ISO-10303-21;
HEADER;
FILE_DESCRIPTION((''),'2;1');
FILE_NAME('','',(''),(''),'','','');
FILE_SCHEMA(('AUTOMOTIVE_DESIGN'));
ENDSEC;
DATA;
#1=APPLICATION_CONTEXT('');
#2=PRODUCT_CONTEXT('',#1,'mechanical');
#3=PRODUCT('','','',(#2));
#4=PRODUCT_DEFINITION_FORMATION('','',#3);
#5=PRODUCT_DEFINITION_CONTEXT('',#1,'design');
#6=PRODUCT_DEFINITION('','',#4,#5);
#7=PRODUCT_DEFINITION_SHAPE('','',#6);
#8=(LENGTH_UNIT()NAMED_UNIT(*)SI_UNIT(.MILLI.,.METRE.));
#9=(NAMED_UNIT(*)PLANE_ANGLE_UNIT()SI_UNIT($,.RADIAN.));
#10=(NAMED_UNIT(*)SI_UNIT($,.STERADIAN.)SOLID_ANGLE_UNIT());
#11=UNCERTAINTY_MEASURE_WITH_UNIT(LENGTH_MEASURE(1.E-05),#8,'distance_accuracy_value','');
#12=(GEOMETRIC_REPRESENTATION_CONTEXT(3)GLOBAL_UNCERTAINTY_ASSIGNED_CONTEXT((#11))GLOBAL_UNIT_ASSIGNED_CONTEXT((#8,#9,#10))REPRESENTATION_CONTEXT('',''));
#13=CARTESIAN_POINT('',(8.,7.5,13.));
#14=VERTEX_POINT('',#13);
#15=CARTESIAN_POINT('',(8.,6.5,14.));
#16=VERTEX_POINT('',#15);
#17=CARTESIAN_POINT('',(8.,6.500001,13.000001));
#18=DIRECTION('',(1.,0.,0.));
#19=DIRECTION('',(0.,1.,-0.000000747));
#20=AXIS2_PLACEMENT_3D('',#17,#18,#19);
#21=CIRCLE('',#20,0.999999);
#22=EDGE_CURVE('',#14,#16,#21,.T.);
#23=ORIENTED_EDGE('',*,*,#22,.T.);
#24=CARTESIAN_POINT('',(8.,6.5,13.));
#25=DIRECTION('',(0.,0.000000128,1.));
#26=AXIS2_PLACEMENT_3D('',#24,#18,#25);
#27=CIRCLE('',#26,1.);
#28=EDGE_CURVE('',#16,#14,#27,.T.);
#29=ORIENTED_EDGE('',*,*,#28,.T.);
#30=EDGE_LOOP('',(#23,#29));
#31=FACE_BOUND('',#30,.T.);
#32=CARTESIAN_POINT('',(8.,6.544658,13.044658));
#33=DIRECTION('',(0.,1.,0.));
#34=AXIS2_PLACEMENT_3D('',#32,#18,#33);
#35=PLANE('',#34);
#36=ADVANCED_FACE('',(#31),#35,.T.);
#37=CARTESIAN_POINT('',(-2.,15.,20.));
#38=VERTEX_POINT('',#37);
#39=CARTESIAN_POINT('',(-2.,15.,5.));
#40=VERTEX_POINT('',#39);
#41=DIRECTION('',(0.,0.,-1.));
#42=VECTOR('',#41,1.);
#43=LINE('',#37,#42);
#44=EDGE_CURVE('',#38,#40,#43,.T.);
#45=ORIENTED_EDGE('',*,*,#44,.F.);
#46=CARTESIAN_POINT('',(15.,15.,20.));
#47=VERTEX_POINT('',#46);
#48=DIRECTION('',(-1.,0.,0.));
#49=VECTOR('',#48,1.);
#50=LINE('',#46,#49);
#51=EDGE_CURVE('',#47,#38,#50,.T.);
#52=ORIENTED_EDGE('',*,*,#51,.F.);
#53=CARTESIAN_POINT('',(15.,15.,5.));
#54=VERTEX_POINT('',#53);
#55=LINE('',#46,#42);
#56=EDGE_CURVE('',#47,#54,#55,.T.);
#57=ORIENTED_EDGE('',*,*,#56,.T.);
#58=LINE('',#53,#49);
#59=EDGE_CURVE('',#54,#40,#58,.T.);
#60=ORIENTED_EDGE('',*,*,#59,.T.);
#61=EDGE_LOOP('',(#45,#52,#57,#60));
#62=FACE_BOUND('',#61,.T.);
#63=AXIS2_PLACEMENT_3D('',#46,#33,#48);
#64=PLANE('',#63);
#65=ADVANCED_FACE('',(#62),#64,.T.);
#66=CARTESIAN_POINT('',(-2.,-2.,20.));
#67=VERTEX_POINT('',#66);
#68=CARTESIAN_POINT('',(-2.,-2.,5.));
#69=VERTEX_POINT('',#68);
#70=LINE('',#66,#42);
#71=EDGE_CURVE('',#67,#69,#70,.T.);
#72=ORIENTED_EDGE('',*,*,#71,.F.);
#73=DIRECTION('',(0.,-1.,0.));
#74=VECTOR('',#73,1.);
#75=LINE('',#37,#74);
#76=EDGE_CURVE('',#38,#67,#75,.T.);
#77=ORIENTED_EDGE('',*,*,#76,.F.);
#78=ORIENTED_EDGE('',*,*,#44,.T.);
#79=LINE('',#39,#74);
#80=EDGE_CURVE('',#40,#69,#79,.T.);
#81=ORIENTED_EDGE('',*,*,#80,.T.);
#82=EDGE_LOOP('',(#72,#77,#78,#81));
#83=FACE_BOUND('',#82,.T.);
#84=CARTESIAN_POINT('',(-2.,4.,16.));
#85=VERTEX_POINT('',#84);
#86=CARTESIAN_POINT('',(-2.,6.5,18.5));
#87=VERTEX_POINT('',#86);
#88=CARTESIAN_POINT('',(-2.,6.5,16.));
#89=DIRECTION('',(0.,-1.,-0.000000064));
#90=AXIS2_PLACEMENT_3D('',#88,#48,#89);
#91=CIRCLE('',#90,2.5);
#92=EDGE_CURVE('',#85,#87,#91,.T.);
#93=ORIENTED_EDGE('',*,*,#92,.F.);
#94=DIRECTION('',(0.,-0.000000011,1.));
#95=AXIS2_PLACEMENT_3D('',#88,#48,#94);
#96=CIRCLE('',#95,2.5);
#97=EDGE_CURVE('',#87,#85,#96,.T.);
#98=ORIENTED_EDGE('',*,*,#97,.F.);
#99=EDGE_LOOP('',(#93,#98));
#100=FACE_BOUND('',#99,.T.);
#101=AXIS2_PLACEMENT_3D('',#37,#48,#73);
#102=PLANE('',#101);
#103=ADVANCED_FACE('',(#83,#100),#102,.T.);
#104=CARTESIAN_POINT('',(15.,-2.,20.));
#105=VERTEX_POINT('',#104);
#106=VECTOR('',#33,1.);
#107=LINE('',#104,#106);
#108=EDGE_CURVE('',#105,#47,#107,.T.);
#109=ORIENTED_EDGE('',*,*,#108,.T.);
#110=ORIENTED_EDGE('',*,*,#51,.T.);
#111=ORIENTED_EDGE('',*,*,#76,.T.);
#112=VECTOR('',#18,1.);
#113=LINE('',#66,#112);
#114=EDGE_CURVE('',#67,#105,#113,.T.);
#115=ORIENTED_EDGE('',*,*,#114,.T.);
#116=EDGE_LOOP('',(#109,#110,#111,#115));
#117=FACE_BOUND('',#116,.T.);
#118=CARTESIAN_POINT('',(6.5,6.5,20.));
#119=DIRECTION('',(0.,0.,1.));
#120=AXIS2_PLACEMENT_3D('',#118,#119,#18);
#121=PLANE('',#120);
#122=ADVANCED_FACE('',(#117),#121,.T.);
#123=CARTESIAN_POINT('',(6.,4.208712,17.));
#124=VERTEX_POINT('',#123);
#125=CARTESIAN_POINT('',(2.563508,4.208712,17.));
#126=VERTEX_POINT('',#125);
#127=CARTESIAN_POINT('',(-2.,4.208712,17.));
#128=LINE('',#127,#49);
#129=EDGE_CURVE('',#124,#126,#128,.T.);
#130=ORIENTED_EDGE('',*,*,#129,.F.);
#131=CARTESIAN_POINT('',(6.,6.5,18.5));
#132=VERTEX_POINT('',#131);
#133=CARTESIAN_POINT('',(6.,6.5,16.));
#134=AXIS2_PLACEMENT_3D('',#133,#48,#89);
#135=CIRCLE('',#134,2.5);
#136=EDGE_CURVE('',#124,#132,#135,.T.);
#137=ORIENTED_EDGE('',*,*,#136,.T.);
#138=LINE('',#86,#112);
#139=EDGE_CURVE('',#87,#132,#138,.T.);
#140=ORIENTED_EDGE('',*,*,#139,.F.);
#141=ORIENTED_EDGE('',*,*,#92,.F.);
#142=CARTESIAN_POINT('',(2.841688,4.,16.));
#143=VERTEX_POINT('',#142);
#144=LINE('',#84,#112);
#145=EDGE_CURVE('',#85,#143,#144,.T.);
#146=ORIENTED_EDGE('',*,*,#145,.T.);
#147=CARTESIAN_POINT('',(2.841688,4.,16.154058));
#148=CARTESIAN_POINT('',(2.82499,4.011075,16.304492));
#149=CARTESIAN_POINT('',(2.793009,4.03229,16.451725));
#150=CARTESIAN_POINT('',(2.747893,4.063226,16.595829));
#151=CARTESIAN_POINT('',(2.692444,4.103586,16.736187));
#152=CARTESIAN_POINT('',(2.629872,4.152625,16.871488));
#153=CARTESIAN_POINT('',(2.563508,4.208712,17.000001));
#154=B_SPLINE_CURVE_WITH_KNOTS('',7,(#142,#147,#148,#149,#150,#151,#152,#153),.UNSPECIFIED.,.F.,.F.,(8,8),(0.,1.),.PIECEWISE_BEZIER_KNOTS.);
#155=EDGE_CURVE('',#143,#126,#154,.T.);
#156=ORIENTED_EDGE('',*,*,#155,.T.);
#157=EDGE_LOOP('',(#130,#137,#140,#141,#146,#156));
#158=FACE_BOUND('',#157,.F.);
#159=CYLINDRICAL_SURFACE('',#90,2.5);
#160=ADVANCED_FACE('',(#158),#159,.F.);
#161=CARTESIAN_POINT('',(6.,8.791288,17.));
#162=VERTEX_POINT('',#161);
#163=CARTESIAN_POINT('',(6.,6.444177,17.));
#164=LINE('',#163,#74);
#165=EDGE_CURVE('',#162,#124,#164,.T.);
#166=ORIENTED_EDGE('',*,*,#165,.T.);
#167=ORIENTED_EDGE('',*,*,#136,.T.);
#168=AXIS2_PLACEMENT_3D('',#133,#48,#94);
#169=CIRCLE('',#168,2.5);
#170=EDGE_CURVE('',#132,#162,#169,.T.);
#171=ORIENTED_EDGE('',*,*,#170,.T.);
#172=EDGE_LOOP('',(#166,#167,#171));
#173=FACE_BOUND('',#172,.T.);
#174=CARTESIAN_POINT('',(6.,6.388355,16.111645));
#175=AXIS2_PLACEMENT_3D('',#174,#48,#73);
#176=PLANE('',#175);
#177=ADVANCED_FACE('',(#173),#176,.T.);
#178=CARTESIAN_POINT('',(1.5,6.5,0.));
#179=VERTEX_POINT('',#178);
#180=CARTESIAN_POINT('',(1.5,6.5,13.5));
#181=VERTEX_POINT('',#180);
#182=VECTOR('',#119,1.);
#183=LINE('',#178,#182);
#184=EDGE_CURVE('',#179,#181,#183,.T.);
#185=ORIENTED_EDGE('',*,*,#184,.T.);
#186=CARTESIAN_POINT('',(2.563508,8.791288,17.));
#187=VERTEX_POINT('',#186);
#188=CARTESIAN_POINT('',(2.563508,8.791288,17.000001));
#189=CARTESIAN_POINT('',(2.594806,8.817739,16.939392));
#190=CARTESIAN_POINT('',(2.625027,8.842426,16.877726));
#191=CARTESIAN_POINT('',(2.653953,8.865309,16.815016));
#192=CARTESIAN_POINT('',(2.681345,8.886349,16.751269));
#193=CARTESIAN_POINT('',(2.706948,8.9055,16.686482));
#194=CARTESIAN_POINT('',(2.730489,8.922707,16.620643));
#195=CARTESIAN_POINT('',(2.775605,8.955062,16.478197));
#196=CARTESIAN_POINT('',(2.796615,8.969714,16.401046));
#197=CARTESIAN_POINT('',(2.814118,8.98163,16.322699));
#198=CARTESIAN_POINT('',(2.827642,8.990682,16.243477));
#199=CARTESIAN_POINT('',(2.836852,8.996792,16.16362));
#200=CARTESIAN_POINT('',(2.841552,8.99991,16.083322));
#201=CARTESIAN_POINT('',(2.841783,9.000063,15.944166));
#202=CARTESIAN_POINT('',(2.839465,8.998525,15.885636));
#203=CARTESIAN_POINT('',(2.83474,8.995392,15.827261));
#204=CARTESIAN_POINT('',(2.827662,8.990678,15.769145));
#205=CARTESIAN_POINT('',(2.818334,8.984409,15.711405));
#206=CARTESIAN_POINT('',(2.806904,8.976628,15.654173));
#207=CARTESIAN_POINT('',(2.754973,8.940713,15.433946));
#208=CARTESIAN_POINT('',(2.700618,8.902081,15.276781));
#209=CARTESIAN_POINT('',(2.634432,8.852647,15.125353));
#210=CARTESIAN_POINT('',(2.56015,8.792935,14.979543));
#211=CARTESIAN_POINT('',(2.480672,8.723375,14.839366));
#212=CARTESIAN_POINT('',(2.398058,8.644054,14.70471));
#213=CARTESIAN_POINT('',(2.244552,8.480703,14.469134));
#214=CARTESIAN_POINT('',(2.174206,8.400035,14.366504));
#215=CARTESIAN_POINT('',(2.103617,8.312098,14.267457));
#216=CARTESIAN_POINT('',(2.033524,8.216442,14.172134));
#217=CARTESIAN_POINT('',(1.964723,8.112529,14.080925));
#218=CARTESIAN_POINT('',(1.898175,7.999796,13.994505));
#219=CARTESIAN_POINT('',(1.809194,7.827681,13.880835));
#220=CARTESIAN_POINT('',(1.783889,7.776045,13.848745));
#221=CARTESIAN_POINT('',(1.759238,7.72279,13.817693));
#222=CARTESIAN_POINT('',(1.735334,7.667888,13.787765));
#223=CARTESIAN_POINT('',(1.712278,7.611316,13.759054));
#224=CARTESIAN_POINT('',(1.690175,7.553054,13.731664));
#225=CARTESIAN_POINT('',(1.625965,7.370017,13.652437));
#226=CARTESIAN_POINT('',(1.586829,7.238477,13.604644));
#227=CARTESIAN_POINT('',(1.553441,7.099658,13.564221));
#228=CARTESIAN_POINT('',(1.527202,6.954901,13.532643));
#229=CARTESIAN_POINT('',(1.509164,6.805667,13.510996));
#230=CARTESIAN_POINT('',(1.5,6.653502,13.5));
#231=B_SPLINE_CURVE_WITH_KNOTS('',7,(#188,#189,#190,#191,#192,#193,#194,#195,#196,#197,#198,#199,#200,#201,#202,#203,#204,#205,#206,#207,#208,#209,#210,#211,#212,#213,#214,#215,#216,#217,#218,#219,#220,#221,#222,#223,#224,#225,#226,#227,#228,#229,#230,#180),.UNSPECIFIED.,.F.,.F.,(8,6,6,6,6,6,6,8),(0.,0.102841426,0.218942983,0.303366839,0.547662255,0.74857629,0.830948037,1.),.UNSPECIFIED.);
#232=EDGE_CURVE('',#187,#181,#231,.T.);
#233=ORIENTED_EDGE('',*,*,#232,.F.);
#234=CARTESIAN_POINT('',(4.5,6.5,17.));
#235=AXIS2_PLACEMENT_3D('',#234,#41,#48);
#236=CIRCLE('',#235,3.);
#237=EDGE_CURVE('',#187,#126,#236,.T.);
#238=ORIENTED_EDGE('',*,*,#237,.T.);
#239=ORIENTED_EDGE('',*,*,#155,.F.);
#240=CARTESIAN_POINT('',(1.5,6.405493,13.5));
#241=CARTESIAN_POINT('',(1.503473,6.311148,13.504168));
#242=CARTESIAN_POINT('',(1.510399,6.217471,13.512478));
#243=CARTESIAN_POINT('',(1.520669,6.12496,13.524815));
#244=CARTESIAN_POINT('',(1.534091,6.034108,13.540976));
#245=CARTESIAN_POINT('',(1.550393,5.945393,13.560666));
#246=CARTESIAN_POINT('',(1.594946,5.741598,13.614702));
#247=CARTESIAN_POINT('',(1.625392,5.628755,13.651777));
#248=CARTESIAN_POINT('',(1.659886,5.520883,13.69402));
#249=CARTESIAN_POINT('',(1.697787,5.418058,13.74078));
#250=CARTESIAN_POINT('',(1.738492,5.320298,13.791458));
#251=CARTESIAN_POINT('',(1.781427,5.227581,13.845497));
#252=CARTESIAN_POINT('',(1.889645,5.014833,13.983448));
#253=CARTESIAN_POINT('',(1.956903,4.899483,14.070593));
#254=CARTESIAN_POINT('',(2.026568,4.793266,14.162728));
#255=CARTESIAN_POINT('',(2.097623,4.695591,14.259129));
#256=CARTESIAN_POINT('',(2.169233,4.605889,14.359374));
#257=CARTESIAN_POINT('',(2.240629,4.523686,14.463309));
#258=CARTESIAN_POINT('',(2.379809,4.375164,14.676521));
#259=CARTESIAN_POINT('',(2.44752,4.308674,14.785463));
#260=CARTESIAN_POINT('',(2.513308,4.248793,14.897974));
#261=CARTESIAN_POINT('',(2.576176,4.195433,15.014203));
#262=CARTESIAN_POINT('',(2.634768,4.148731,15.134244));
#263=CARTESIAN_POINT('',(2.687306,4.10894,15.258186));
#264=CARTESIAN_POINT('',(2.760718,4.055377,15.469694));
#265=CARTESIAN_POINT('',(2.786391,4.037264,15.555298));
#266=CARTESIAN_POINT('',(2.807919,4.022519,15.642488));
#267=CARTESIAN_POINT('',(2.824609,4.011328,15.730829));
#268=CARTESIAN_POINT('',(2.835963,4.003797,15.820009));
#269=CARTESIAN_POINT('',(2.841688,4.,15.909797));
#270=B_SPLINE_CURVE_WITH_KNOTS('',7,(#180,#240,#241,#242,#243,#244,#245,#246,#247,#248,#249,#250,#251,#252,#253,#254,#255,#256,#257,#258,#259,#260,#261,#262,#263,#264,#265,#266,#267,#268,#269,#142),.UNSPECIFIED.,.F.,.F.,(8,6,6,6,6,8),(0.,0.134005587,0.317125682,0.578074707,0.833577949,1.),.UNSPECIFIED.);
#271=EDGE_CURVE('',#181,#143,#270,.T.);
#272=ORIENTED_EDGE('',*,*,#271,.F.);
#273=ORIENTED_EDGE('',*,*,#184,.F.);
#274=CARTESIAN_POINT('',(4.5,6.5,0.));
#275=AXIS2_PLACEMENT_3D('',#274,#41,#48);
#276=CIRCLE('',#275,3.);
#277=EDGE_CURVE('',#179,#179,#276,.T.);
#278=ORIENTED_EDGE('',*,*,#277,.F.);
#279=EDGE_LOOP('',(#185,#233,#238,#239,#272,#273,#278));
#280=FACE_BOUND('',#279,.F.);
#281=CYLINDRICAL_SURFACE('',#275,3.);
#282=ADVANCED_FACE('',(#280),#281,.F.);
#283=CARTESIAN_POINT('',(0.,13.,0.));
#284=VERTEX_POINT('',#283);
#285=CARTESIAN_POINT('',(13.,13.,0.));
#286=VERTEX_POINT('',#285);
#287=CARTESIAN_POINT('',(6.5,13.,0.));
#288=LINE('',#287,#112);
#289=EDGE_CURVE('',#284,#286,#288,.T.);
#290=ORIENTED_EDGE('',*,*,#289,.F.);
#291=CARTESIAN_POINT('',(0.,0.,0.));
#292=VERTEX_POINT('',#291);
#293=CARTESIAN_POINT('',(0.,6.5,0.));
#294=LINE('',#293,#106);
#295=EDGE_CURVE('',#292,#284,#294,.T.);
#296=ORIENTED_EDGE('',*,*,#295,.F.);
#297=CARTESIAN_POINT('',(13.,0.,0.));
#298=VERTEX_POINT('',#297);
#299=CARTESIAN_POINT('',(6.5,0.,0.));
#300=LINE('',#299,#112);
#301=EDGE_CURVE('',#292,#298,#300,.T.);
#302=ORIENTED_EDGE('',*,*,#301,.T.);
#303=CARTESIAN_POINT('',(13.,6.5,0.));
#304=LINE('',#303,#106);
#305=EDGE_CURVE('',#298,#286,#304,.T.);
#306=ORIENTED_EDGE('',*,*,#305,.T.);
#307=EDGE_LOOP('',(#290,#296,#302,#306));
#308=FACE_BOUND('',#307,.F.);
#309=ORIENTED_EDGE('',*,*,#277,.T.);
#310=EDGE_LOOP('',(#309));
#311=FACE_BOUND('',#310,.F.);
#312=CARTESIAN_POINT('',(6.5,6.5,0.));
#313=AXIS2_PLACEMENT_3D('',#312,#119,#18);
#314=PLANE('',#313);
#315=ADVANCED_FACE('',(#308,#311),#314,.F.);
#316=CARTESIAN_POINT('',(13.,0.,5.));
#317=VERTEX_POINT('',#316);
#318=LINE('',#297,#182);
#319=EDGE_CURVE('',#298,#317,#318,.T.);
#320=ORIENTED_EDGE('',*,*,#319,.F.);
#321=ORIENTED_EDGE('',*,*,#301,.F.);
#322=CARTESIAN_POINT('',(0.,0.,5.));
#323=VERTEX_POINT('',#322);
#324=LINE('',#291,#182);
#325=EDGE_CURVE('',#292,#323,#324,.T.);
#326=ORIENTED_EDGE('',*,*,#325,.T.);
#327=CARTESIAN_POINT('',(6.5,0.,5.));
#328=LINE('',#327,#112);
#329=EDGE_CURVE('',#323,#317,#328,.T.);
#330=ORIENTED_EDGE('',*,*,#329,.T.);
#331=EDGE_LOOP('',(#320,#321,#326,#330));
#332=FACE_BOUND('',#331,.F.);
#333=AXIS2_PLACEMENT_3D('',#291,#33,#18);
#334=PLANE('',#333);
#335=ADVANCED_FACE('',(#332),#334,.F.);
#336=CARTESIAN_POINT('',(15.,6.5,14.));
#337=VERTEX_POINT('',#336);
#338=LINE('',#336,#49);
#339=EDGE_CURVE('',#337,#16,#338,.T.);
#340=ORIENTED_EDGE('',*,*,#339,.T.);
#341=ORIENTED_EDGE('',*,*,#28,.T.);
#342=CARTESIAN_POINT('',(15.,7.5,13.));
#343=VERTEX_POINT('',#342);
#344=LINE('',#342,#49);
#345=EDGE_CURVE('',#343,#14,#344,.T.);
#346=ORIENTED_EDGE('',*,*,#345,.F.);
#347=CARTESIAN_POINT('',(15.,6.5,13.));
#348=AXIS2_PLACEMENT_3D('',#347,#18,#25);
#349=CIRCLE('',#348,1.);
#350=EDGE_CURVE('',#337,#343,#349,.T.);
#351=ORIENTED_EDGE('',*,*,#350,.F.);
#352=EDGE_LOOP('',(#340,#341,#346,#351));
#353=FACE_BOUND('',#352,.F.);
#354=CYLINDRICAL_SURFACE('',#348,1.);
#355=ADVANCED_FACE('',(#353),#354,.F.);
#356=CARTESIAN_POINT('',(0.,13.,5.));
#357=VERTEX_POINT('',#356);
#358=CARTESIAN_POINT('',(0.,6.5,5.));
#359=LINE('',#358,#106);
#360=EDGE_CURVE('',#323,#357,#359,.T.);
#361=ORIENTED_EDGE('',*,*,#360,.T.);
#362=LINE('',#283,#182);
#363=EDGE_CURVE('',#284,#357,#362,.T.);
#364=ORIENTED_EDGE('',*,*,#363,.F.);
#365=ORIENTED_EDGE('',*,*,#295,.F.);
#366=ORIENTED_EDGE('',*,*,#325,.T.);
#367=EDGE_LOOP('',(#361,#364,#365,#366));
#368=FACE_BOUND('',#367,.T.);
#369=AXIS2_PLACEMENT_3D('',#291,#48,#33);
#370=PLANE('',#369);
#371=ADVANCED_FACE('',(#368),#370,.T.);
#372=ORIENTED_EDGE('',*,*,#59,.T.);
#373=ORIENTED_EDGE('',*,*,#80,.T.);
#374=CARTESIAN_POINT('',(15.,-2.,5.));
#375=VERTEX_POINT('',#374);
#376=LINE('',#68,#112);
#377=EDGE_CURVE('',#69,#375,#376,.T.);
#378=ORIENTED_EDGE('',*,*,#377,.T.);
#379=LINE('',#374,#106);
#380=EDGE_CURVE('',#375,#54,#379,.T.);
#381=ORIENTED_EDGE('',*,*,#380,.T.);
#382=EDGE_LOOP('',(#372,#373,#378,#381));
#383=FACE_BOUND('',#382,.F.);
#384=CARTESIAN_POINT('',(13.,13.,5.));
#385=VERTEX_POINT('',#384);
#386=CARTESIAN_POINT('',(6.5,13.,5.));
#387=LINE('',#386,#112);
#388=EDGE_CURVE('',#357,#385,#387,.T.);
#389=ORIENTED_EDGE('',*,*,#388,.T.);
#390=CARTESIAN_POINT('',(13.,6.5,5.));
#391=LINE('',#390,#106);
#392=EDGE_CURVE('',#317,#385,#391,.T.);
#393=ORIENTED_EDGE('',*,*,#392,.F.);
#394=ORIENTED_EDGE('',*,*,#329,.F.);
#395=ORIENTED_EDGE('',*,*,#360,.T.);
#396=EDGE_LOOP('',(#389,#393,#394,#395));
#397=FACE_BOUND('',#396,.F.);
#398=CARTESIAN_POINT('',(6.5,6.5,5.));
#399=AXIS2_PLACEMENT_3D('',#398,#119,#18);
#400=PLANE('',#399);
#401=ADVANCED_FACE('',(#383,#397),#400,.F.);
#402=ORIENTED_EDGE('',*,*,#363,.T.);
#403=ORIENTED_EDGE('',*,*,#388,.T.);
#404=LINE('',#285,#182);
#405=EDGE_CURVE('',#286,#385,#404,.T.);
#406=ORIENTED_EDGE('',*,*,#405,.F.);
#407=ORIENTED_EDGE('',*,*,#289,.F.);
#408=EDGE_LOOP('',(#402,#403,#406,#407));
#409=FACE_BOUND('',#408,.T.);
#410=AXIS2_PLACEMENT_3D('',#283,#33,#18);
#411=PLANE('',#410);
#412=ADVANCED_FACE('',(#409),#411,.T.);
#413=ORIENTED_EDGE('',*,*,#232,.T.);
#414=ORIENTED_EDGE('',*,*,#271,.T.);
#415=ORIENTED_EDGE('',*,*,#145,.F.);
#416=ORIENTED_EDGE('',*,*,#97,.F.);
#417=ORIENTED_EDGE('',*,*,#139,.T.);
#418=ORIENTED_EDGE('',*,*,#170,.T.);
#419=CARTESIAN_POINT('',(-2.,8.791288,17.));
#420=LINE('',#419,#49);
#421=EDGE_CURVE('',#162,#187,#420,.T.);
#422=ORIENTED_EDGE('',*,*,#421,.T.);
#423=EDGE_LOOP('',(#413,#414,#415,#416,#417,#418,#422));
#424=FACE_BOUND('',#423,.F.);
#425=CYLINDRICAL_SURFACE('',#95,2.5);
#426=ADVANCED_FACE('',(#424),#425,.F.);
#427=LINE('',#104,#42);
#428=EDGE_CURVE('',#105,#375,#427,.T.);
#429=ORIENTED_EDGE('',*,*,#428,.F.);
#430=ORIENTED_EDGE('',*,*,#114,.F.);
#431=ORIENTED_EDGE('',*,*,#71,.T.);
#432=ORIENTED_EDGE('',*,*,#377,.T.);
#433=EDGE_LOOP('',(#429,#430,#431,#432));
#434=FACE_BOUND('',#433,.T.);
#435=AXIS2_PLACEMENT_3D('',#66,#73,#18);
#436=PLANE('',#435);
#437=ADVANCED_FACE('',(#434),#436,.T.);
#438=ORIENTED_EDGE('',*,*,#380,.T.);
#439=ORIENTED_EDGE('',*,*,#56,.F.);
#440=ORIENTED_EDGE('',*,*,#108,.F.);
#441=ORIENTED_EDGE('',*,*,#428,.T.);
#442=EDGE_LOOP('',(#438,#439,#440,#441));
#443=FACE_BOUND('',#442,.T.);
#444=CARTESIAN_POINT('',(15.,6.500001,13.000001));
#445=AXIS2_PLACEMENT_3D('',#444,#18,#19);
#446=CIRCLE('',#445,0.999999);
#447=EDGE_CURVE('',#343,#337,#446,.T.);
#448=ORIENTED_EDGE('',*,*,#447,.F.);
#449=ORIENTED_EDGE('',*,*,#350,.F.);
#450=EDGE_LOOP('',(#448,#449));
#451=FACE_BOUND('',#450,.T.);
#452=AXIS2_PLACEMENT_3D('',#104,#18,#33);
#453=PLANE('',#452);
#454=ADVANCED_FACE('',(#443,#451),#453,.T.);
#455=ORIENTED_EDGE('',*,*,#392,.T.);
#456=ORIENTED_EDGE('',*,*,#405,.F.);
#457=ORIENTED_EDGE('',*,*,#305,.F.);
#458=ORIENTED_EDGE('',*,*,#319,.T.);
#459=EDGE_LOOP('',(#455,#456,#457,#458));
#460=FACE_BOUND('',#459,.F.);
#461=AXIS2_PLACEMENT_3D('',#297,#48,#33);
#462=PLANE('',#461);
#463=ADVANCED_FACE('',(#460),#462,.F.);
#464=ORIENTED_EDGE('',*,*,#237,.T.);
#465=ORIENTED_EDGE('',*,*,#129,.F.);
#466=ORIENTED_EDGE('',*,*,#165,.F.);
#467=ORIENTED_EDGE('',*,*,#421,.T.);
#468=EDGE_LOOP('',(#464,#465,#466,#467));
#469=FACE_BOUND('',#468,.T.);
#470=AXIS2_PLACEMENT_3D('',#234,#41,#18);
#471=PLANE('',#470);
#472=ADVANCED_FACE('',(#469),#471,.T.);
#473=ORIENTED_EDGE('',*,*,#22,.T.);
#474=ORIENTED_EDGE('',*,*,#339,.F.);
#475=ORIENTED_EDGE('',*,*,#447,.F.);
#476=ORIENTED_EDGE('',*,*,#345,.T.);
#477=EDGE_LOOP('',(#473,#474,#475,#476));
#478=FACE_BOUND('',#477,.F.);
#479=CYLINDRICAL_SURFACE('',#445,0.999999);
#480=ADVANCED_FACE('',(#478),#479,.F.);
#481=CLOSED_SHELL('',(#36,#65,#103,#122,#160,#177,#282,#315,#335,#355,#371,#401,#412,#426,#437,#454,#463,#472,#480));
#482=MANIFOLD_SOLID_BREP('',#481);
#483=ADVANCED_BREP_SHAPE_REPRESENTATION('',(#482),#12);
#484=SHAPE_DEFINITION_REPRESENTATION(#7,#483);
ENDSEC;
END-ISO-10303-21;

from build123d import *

# Parameters (mm, degrees)
F0_W     = 13
F0_H     = 13
F1_DEPTH = 20
F2_W     = 13
F2_H     = 13
F3_DEPTH = 15
F5_DEPTH = 7
F7_DEPTH = 8
F9_DEPTH = 17


with BuildPart() as f1:
    # F0 (on Top) → F1 (new body)
    with BuildSketch(Plane.XY):
        with Locations((6.5, 6.5)):
            Rectangle(F0_W, F0_H)
    extrude(amount=F1_DEPTH)

    # F2 (on face) → F3 (join)
    with BuildSketch(Plane.XY.offset(20)):
        Polygon((-2, 15), (-2, 0), (-2, -2), (15, -2), (15, 15), align=None)
        with Locations((6.5, 6.5)):
            Rectangle(F2_W, F2_H, mode=Mode.SUBTRACT)
    extrude(amount=-F3_DEPTH)

    # F4 (on face) → F5 (cut)
    with BuildSketch(Plane.YZ.offset(15)):
        with BuildLine():
            ThreePointArc((7.5, 13), (7.207107, 13.707107), (6.5, 14))
            ThreePointArc((6.5, 14), (5.792893, 12.292893), (7.5, 13))
        make_face()
    extrude(amount=-F5_DEPTH, mode=Mode.SUBTRACT)

    # F6 (on face) → F7 (cut)
    with BuildSketch(Plane(origin=(-2, 0, 0), x_dir=(0, -1, 0), z_dir=(-1, 0, 0))):
        with BuildLine():
            ThreePointArc((-4, 16), (-4.732233, 17.767767), (-6.5, 18.5))
            ThreePointArc((-6.5, 18.5), (-8.267767, 14.232233), (-4, 16))
        make_face()
    extrude(amount=-F7_DEPTH, mode=Mode.SUBTRACT)

    # F8 (on face) → F9 (cut)
    with BuildSketch(Plane(origin=(0, 0, 0), x_dir=(1, 0, 0), z_dir=(0, 0, -1))):
        with BuildLine():
            ThreePointArc((7.5, -6.5), (4.5, -3.5), (1.5, -6.5))
            ThreePointArc((1.5, -6.5), (4.5, -9.5), (7.5, -6.5))
        make_face()
    extrude(amount=-F9_DEPTH, mode=Mode.SUBTRACT)


solid = f1.part
